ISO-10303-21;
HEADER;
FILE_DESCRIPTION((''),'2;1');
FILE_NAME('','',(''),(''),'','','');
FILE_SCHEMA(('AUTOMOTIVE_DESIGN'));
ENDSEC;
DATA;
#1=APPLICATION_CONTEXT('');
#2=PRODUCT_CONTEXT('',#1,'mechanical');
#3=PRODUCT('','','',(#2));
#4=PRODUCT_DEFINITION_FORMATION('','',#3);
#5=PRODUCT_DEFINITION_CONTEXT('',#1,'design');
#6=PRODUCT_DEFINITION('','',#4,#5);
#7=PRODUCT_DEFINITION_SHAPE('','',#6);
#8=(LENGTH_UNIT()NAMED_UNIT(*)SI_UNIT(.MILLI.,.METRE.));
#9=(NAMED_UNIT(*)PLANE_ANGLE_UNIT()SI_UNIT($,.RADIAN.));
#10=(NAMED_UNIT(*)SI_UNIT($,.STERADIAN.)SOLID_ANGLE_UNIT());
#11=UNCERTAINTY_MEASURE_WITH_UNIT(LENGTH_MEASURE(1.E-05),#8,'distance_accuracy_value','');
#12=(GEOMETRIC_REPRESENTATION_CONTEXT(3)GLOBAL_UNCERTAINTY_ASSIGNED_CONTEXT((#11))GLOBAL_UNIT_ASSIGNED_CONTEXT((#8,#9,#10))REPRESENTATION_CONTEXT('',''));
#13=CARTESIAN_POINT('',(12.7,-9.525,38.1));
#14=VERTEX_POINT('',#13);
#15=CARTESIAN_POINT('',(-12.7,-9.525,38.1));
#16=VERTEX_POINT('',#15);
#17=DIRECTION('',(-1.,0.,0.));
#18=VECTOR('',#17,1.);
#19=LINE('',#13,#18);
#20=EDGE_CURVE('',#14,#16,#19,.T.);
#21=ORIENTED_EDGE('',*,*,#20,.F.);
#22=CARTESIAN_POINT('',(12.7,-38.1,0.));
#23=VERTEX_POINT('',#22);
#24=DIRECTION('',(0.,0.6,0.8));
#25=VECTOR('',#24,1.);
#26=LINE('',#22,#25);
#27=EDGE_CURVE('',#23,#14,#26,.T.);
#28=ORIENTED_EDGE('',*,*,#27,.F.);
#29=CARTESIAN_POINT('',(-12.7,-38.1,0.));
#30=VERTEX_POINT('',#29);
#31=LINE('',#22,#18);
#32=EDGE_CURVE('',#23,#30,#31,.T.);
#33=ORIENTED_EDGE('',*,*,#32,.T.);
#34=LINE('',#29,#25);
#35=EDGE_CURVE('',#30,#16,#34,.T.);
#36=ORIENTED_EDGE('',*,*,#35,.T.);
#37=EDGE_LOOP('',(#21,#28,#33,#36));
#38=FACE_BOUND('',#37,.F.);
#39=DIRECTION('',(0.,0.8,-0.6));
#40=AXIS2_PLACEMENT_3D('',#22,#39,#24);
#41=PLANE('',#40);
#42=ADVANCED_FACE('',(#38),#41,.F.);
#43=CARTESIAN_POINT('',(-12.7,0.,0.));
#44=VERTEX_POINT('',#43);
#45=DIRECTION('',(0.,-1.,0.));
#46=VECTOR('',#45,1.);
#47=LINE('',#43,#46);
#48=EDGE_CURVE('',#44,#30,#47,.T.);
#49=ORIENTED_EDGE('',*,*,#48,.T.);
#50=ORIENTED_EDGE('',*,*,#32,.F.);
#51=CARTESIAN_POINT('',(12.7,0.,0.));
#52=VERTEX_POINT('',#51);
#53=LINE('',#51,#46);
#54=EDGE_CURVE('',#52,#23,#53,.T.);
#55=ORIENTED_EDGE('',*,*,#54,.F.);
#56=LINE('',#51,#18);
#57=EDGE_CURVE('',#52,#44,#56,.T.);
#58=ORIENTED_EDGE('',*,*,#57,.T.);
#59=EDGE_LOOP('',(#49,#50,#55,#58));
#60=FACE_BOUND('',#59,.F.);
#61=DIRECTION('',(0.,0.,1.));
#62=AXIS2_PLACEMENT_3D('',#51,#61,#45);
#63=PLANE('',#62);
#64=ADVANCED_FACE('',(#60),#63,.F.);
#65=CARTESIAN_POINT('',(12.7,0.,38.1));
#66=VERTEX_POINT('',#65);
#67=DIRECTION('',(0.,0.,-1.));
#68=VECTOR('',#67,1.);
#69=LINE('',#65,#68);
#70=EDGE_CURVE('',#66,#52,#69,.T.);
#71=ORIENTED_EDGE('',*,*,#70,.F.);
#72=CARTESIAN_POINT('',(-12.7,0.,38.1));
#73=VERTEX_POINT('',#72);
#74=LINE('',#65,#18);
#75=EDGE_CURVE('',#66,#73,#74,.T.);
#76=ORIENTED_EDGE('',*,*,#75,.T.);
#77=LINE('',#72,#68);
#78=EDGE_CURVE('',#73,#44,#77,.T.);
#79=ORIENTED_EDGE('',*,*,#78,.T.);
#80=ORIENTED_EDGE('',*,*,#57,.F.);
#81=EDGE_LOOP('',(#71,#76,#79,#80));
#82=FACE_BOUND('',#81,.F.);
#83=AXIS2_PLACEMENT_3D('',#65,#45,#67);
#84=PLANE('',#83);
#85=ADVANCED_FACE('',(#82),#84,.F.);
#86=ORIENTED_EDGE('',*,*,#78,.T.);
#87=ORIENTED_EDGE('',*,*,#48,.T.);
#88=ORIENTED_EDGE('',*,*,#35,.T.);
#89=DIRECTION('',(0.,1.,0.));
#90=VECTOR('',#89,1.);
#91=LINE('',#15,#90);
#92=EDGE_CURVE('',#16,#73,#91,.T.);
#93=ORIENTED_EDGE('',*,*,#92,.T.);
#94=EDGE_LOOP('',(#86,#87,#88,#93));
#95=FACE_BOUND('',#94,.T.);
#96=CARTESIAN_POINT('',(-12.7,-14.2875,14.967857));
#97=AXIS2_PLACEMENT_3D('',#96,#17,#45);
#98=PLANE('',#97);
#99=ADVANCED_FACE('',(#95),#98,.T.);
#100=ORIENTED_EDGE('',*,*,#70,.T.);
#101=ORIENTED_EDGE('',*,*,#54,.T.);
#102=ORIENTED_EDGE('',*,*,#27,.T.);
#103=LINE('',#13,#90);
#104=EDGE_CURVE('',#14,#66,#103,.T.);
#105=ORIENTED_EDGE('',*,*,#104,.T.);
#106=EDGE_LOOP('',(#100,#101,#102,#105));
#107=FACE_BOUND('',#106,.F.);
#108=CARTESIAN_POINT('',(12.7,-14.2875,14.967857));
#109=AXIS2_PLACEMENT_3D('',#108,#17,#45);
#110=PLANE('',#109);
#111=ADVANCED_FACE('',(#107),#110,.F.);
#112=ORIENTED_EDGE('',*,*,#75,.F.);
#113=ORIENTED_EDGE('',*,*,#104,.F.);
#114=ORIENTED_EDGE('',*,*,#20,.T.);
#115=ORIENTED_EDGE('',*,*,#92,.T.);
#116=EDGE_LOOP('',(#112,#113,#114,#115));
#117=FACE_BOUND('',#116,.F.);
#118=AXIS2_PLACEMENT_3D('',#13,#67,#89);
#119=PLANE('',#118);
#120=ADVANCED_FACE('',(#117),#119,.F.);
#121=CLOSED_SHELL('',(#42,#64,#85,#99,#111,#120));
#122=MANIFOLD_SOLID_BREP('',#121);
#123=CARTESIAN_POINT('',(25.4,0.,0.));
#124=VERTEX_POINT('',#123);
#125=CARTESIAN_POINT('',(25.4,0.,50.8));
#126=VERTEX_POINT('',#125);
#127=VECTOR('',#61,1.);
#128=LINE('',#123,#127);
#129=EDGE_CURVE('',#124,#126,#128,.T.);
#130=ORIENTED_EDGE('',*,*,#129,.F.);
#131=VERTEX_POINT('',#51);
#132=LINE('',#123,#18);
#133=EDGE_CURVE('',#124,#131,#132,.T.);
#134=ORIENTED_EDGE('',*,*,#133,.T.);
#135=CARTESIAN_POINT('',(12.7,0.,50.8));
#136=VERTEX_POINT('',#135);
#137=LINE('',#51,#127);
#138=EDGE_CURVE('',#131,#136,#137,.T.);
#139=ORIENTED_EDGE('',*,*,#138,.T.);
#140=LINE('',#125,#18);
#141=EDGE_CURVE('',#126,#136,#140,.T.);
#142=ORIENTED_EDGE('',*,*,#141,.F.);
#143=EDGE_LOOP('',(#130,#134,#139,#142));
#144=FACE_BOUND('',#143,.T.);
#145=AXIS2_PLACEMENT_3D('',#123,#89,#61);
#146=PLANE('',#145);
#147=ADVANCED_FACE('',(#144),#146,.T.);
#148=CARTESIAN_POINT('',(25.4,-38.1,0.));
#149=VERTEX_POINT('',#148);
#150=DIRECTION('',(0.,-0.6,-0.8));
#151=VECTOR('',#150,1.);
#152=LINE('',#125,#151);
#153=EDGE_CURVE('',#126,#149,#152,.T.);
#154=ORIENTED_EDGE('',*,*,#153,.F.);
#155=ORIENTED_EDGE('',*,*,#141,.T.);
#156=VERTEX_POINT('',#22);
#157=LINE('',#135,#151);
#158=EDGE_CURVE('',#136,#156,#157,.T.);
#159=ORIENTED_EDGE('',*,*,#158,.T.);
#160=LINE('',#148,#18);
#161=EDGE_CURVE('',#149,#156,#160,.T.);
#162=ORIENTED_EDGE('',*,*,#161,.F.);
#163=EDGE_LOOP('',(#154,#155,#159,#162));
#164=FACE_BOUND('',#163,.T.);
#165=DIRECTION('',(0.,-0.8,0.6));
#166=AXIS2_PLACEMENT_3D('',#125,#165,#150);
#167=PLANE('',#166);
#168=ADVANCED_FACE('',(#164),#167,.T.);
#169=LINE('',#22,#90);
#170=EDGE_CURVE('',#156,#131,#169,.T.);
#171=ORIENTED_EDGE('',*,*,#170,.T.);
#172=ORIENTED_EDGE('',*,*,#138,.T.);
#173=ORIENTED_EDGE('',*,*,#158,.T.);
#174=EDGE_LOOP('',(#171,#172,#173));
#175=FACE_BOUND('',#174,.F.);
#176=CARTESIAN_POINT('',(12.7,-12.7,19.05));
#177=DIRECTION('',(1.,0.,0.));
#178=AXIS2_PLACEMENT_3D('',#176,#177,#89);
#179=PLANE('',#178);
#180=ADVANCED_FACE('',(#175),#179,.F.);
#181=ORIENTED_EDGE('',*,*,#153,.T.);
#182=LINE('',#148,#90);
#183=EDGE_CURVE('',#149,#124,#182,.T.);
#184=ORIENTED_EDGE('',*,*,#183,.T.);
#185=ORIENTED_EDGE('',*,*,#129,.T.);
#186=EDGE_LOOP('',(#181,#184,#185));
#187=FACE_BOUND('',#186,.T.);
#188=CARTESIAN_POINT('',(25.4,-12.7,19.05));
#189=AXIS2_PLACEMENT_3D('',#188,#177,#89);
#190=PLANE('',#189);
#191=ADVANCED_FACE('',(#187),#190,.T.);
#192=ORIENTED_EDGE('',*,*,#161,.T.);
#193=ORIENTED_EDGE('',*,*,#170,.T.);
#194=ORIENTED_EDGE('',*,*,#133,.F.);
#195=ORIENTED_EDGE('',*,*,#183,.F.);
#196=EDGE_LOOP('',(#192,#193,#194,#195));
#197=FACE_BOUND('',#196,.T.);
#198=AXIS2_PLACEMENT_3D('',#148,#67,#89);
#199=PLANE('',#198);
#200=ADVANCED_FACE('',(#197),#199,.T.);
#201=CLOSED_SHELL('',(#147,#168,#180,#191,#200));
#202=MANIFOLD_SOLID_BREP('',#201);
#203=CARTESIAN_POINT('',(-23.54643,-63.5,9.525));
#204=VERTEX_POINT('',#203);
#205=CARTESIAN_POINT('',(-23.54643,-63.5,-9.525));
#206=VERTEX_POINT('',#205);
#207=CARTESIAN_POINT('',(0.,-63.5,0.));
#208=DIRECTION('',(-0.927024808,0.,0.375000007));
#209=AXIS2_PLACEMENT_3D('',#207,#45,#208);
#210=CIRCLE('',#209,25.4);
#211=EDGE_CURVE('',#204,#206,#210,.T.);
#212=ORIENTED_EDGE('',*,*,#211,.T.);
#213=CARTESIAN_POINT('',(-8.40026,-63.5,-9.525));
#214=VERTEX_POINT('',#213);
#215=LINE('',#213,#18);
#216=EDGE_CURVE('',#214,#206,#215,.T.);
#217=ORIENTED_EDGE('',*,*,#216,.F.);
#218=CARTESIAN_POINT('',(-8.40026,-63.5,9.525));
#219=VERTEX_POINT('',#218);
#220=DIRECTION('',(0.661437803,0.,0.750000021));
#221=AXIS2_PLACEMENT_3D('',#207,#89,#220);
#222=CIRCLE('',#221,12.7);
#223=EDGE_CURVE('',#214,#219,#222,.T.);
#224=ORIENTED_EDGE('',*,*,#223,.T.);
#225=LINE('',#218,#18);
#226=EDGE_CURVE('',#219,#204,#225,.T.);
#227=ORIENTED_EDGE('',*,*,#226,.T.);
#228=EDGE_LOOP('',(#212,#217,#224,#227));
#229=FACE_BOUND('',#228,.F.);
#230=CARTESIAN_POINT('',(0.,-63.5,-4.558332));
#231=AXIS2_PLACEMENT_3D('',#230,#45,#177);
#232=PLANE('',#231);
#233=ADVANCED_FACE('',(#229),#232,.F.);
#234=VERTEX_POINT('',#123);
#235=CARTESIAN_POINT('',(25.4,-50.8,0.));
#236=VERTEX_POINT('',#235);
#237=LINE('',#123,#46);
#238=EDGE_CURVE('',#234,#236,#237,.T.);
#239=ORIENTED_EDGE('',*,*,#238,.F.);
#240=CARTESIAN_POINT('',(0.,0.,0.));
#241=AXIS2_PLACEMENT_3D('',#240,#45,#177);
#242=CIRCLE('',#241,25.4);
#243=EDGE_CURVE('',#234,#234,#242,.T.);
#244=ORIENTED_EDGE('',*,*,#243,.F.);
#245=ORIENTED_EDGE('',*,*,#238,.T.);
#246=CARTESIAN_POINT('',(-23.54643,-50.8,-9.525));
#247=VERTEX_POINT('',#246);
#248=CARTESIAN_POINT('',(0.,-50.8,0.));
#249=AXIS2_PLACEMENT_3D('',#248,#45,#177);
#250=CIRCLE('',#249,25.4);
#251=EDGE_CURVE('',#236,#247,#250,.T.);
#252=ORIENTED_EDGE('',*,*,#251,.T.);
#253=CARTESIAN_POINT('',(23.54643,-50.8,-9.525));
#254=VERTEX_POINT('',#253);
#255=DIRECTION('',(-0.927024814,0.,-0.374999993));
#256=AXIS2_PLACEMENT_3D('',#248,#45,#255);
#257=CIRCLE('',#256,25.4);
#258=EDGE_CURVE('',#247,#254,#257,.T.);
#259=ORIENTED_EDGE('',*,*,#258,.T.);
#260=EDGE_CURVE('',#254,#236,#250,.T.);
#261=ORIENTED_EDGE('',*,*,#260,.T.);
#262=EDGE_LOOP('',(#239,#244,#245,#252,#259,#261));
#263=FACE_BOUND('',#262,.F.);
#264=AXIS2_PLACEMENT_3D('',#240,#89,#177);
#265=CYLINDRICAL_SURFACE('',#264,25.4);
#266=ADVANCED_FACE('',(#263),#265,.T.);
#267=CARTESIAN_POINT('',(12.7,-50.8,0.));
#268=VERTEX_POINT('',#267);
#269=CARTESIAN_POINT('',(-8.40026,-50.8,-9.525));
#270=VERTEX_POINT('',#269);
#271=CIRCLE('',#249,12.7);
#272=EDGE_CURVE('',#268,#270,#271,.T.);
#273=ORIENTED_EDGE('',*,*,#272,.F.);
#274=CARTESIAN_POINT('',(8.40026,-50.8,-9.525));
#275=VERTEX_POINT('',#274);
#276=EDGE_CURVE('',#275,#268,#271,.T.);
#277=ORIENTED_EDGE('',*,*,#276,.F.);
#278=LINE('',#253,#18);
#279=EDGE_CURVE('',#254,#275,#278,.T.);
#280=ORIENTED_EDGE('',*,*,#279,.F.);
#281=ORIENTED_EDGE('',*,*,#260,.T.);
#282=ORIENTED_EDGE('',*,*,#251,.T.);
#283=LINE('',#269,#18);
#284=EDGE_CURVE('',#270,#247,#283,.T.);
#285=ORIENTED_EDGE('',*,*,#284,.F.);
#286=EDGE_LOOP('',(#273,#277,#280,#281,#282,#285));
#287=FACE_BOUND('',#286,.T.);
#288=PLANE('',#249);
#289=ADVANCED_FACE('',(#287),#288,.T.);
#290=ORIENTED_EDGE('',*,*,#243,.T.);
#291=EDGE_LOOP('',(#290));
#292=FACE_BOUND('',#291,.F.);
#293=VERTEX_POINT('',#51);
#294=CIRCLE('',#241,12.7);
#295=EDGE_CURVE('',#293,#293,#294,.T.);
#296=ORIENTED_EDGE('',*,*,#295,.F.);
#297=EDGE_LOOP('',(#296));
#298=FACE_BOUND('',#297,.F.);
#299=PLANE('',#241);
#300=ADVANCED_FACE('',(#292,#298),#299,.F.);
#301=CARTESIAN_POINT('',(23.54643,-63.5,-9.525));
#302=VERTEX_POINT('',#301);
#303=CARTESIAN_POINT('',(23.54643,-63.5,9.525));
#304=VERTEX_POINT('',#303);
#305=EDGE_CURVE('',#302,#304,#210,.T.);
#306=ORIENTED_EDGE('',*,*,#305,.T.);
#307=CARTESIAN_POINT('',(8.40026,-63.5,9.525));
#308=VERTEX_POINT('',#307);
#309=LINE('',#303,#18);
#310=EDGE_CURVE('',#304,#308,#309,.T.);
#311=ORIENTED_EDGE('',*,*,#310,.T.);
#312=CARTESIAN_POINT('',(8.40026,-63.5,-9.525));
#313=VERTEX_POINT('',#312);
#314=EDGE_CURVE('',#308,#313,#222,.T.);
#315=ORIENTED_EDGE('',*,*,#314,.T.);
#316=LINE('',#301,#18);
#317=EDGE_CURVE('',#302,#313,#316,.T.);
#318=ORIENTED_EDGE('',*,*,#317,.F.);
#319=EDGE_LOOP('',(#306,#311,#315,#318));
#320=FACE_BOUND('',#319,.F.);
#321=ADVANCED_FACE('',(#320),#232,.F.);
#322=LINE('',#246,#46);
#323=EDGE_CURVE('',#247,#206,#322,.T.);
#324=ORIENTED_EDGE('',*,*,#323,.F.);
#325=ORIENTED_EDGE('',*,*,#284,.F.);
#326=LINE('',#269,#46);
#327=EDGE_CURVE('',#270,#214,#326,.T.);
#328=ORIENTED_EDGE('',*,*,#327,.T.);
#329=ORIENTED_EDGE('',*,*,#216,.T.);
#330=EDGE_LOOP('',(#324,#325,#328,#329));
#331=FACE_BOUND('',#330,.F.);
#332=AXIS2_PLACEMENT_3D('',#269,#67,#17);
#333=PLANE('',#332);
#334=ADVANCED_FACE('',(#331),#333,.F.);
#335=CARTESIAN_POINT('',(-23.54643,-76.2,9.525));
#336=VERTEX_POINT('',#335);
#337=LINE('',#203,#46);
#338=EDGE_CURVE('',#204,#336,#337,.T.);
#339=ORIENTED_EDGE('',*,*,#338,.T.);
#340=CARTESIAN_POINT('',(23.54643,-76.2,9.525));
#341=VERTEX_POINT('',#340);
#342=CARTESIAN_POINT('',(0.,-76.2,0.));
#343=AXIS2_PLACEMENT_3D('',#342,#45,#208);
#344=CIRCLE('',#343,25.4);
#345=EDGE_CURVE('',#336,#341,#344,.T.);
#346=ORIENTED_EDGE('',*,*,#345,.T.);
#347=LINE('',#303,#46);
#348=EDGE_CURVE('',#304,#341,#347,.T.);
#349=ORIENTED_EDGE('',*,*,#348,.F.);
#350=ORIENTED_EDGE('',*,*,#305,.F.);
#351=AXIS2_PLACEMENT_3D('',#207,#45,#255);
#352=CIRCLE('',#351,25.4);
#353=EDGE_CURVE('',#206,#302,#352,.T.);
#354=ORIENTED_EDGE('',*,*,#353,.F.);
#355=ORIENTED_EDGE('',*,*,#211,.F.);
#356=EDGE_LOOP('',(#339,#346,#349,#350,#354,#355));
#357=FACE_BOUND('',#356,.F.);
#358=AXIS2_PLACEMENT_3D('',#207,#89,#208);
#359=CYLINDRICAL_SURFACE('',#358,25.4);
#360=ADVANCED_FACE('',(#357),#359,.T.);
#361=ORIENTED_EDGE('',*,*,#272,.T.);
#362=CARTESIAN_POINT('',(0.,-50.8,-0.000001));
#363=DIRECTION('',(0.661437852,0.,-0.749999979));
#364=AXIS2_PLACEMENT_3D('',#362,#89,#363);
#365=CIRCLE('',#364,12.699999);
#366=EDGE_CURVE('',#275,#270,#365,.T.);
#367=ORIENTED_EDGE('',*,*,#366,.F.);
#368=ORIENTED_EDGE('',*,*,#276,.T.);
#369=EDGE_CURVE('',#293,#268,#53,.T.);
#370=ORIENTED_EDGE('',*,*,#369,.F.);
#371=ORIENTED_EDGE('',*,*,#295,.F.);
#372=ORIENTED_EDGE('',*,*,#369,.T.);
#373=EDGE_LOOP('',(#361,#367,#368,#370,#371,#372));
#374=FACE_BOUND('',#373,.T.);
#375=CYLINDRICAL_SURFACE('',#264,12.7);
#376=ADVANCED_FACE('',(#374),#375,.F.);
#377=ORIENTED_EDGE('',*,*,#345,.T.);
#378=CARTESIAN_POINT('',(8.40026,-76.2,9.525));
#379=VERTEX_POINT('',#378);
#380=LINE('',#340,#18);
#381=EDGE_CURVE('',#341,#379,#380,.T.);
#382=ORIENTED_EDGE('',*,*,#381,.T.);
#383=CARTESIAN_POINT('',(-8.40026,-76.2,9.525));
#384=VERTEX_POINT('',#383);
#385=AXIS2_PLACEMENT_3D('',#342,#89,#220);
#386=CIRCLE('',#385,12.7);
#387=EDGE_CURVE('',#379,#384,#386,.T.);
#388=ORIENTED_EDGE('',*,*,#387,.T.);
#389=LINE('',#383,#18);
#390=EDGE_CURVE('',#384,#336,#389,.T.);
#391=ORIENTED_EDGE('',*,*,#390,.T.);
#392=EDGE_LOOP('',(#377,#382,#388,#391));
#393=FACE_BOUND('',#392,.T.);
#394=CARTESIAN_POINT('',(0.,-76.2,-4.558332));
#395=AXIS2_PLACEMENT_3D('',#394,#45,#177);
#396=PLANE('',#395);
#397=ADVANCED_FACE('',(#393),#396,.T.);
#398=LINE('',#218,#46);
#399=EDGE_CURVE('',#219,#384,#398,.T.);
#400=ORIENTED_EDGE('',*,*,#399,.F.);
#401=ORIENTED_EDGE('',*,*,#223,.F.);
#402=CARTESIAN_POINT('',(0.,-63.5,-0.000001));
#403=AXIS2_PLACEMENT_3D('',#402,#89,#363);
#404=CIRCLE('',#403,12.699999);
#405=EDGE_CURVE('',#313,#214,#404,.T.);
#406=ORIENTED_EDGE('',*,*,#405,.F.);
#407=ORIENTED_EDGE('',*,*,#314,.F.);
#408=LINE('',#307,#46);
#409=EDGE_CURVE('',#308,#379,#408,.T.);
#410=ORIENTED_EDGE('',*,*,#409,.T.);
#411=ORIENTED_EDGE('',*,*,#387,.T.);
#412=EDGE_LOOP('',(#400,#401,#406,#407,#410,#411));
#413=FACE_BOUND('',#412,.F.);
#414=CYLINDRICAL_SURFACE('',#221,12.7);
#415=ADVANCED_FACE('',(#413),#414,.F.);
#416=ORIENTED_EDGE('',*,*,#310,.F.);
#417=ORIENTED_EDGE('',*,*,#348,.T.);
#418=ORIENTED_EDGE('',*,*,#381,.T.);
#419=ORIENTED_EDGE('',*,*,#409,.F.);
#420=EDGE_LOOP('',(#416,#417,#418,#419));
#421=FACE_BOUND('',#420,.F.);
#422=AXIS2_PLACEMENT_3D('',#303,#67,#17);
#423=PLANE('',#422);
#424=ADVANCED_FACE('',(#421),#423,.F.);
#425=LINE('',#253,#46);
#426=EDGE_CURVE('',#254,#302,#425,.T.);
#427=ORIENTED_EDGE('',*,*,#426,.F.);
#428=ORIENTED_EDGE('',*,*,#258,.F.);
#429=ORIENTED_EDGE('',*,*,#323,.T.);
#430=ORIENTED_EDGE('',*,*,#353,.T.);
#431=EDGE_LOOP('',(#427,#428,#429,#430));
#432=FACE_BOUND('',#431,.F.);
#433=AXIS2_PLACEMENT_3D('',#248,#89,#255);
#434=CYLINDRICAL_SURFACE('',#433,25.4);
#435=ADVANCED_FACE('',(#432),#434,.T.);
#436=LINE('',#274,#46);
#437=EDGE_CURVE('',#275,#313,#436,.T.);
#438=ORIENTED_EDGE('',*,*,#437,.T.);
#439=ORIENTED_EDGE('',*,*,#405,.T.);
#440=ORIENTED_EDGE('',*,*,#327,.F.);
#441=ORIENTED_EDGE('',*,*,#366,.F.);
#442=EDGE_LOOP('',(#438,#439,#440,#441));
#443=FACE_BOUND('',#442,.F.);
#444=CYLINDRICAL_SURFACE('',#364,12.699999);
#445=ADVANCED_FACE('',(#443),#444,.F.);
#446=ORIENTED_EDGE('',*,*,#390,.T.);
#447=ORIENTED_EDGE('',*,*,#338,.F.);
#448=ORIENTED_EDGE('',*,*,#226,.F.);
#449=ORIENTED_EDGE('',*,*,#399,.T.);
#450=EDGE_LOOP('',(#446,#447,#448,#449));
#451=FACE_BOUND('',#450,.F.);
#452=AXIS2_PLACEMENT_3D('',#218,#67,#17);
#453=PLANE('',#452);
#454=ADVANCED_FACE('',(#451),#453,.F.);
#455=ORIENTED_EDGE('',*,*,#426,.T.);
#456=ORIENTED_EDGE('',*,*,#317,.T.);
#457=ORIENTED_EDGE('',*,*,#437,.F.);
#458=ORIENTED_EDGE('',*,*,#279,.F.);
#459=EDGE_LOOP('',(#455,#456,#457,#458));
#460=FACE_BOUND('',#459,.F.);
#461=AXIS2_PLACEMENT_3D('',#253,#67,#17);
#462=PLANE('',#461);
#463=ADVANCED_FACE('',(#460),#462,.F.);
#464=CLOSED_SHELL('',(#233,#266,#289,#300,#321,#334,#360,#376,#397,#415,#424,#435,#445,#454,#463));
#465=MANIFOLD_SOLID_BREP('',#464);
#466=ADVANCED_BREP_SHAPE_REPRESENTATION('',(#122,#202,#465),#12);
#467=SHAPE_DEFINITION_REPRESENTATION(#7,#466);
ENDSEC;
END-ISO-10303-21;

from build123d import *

# Parameters (mm, degrees)
F0_R      = 25.4
F0_R_2    = 12.7
F1_DEPTH  = 50.8
F4_DEPTH  = 12.7
F6_DEPTH  = 25.4
F8_DEPTH  = 12.7
F10_DEPTH = 12.7


with BuildPart() as f1:
    # F0 (on Front) → F1 (new body)
    with BuildSketch(Plane.XZ):
        Circle(F0_R)
        Circle(F0_R_2, mode=Mode.SUBTRACT)
    extrude(amount=F1_DEPTH)

    # F7 (on face) → F8 (join)
    with BuildSketch(Plane.XZ.offset(50.8)):
        with BuildLine():
            ThreePointArc((8.40026, -9.525), (0, -12.7), (-8.40026, -9.525))
            Line((-8.40026, -9.525), (-23.54643, -9.525))
            ThreePointArc((-23.54643, -9.525), (0, -25.4), (23.54643, -9.525))
            Line((23.54643, -9.525), (8.40026, -9.525))
        make_face()
    extrude(amount=F8_DEPTH)

    # F9 (on face) → F10 (join)
    with BuildSketch(Plane.XZ.offset(63.5)):
        with BuildLine():
            ThreePointArc((8.40026, 9.525), (0, -12.7), (-8.40026, 9.525))
            Line((-8.40026, 9.525), (-23.54643, 9.525))
            ThreePointArc((-23.54643, 9.525), (0, -25.4), (23.54643, 9.525))
            Line((23.54643, 9.525), (8.40026, 9.525))
        make_face()
    extrude(amount=F10_DEPTH)


with BuildPart() as f4:
    # F3 (on offset) → F4 (new body)
    with BuildSketch(Plane.YZ.offset(25.4)):
        Polygon((-38.1, 0), (0, 0), (0, 50.8), align=None)
    extrude(amount=-F4_DEPTH)


with BuildPart() as f6:
    # F5 (on face) → F6 (new body)
    with BuildSketch(Plane(origin=(12.7, 0, 0), x_dir=(0, -1, 0), z_dir=(-1, 0, 0))):
        Polygon((0, 38.1), (0, 0), (38.1, 0), (9.525, 38.1), align=None)
    extrude(amount=F6_DEPTH)


solid = Compound([f1.part, f4.part, f6.part])
